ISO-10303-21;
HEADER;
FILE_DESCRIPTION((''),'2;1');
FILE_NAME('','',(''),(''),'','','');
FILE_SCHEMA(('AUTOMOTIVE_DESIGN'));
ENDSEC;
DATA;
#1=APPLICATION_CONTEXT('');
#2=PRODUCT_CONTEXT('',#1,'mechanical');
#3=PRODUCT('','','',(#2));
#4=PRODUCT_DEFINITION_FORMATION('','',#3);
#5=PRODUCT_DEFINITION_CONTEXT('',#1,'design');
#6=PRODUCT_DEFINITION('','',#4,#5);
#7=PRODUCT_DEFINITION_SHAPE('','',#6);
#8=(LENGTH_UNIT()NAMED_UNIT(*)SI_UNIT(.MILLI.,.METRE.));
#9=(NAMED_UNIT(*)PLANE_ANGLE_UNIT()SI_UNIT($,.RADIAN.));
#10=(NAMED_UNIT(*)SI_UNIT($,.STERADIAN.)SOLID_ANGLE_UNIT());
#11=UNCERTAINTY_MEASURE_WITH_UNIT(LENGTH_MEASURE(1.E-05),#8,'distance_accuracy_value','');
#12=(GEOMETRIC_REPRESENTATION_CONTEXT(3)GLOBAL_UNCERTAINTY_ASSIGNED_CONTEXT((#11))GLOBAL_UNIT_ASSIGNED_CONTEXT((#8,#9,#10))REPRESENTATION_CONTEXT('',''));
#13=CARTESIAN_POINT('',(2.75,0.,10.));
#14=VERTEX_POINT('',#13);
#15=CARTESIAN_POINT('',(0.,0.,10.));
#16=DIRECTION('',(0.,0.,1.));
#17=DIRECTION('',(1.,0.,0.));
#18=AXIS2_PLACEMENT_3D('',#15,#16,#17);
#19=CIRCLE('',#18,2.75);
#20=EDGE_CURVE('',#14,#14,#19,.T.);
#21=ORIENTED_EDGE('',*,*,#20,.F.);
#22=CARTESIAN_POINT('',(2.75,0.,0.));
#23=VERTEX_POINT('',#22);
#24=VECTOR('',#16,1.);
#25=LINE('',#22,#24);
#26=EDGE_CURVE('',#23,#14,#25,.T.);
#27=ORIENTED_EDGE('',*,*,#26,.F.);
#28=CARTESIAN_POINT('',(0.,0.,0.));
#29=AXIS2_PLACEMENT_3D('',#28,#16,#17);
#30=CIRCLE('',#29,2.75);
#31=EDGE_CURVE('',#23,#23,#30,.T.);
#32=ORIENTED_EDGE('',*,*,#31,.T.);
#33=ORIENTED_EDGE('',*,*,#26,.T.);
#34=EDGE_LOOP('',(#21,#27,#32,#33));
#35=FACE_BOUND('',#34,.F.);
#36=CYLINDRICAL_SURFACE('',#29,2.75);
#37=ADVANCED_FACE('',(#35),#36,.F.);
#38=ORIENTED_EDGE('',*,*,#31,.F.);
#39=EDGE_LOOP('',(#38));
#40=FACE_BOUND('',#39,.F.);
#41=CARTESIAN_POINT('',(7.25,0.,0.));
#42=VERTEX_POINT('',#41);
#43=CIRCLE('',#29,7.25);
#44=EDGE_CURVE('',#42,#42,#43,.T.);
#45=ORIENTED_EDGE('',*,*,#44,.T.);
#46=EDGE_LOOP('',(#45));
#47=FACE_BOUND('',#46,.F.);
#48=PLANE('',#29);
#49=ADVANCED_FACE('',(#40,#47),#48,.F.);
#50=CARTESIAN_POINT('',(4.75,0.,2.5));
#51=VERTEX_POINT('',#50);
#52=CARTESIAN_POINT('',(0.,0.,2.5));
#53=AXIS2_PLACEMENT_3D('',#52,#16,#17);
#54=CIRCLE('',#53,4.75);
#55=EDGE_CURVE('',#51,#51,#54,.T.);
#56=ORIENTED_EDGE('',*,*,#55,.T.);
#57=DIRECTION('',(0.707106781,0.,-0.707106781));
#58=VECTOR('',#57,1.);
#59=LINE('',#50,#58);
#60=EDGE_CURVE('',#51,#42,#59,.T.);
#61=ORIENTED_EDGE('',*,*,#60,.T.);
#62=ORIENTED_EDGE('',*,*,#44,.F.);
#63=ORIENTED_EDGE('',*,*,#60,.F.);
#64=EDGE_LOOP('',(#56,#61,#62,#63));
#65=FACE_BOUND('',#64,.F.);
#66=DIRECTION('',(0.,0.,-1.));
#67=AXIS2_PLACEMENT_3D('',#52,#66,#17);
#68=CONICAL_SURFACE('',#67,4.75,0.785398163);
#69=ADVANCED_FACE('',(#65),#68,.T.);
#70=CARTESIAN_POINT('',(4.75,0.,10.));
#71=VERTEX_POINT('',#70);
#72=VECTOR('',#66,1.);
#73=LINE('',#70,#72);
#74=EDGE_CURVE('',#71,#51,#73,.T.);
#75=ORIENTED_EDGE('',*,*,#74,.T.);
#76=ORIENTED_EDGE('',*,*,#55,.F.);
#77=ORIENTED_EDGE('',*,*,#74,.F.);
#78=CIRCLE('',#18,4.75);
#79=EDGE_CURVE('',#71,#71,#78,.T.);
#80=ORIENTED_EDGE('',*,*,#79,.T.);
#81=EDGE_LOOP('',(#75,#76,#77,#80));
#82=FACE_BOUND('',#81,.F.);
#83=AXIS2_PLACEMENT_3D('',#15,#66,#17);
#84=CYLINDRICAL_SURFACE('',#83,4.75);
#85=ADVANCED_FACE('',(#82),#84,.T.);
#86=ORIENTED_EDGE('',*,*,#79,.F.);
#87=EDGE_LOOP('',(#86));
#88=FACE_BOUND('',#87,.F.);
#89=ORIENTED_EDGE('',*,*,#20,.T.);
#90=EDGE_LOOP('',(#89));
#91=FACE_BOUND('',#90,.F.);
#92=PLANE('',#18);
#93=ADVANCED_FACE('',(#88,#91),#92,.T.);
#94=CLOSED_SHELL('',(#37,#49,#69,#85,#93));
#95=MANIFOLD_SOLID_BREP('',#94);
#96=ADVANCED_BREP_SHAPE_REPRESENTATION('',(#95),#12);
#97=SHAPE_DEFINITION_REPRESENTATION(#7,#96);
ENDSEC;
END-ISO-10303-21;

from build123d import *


with BuildPart() as part:
    # Sketch → Revolution (revolve)
    with BuildSketch(Plane.XZ):
        Polygon((2.75, 0), (2.75, 10), (4.75, 10), (4.75, 2.5), (7.25, 0), align=None)
    revolve(axis=Axis((0, 0, 0), (0, 0, 1)))


solid = part.part
